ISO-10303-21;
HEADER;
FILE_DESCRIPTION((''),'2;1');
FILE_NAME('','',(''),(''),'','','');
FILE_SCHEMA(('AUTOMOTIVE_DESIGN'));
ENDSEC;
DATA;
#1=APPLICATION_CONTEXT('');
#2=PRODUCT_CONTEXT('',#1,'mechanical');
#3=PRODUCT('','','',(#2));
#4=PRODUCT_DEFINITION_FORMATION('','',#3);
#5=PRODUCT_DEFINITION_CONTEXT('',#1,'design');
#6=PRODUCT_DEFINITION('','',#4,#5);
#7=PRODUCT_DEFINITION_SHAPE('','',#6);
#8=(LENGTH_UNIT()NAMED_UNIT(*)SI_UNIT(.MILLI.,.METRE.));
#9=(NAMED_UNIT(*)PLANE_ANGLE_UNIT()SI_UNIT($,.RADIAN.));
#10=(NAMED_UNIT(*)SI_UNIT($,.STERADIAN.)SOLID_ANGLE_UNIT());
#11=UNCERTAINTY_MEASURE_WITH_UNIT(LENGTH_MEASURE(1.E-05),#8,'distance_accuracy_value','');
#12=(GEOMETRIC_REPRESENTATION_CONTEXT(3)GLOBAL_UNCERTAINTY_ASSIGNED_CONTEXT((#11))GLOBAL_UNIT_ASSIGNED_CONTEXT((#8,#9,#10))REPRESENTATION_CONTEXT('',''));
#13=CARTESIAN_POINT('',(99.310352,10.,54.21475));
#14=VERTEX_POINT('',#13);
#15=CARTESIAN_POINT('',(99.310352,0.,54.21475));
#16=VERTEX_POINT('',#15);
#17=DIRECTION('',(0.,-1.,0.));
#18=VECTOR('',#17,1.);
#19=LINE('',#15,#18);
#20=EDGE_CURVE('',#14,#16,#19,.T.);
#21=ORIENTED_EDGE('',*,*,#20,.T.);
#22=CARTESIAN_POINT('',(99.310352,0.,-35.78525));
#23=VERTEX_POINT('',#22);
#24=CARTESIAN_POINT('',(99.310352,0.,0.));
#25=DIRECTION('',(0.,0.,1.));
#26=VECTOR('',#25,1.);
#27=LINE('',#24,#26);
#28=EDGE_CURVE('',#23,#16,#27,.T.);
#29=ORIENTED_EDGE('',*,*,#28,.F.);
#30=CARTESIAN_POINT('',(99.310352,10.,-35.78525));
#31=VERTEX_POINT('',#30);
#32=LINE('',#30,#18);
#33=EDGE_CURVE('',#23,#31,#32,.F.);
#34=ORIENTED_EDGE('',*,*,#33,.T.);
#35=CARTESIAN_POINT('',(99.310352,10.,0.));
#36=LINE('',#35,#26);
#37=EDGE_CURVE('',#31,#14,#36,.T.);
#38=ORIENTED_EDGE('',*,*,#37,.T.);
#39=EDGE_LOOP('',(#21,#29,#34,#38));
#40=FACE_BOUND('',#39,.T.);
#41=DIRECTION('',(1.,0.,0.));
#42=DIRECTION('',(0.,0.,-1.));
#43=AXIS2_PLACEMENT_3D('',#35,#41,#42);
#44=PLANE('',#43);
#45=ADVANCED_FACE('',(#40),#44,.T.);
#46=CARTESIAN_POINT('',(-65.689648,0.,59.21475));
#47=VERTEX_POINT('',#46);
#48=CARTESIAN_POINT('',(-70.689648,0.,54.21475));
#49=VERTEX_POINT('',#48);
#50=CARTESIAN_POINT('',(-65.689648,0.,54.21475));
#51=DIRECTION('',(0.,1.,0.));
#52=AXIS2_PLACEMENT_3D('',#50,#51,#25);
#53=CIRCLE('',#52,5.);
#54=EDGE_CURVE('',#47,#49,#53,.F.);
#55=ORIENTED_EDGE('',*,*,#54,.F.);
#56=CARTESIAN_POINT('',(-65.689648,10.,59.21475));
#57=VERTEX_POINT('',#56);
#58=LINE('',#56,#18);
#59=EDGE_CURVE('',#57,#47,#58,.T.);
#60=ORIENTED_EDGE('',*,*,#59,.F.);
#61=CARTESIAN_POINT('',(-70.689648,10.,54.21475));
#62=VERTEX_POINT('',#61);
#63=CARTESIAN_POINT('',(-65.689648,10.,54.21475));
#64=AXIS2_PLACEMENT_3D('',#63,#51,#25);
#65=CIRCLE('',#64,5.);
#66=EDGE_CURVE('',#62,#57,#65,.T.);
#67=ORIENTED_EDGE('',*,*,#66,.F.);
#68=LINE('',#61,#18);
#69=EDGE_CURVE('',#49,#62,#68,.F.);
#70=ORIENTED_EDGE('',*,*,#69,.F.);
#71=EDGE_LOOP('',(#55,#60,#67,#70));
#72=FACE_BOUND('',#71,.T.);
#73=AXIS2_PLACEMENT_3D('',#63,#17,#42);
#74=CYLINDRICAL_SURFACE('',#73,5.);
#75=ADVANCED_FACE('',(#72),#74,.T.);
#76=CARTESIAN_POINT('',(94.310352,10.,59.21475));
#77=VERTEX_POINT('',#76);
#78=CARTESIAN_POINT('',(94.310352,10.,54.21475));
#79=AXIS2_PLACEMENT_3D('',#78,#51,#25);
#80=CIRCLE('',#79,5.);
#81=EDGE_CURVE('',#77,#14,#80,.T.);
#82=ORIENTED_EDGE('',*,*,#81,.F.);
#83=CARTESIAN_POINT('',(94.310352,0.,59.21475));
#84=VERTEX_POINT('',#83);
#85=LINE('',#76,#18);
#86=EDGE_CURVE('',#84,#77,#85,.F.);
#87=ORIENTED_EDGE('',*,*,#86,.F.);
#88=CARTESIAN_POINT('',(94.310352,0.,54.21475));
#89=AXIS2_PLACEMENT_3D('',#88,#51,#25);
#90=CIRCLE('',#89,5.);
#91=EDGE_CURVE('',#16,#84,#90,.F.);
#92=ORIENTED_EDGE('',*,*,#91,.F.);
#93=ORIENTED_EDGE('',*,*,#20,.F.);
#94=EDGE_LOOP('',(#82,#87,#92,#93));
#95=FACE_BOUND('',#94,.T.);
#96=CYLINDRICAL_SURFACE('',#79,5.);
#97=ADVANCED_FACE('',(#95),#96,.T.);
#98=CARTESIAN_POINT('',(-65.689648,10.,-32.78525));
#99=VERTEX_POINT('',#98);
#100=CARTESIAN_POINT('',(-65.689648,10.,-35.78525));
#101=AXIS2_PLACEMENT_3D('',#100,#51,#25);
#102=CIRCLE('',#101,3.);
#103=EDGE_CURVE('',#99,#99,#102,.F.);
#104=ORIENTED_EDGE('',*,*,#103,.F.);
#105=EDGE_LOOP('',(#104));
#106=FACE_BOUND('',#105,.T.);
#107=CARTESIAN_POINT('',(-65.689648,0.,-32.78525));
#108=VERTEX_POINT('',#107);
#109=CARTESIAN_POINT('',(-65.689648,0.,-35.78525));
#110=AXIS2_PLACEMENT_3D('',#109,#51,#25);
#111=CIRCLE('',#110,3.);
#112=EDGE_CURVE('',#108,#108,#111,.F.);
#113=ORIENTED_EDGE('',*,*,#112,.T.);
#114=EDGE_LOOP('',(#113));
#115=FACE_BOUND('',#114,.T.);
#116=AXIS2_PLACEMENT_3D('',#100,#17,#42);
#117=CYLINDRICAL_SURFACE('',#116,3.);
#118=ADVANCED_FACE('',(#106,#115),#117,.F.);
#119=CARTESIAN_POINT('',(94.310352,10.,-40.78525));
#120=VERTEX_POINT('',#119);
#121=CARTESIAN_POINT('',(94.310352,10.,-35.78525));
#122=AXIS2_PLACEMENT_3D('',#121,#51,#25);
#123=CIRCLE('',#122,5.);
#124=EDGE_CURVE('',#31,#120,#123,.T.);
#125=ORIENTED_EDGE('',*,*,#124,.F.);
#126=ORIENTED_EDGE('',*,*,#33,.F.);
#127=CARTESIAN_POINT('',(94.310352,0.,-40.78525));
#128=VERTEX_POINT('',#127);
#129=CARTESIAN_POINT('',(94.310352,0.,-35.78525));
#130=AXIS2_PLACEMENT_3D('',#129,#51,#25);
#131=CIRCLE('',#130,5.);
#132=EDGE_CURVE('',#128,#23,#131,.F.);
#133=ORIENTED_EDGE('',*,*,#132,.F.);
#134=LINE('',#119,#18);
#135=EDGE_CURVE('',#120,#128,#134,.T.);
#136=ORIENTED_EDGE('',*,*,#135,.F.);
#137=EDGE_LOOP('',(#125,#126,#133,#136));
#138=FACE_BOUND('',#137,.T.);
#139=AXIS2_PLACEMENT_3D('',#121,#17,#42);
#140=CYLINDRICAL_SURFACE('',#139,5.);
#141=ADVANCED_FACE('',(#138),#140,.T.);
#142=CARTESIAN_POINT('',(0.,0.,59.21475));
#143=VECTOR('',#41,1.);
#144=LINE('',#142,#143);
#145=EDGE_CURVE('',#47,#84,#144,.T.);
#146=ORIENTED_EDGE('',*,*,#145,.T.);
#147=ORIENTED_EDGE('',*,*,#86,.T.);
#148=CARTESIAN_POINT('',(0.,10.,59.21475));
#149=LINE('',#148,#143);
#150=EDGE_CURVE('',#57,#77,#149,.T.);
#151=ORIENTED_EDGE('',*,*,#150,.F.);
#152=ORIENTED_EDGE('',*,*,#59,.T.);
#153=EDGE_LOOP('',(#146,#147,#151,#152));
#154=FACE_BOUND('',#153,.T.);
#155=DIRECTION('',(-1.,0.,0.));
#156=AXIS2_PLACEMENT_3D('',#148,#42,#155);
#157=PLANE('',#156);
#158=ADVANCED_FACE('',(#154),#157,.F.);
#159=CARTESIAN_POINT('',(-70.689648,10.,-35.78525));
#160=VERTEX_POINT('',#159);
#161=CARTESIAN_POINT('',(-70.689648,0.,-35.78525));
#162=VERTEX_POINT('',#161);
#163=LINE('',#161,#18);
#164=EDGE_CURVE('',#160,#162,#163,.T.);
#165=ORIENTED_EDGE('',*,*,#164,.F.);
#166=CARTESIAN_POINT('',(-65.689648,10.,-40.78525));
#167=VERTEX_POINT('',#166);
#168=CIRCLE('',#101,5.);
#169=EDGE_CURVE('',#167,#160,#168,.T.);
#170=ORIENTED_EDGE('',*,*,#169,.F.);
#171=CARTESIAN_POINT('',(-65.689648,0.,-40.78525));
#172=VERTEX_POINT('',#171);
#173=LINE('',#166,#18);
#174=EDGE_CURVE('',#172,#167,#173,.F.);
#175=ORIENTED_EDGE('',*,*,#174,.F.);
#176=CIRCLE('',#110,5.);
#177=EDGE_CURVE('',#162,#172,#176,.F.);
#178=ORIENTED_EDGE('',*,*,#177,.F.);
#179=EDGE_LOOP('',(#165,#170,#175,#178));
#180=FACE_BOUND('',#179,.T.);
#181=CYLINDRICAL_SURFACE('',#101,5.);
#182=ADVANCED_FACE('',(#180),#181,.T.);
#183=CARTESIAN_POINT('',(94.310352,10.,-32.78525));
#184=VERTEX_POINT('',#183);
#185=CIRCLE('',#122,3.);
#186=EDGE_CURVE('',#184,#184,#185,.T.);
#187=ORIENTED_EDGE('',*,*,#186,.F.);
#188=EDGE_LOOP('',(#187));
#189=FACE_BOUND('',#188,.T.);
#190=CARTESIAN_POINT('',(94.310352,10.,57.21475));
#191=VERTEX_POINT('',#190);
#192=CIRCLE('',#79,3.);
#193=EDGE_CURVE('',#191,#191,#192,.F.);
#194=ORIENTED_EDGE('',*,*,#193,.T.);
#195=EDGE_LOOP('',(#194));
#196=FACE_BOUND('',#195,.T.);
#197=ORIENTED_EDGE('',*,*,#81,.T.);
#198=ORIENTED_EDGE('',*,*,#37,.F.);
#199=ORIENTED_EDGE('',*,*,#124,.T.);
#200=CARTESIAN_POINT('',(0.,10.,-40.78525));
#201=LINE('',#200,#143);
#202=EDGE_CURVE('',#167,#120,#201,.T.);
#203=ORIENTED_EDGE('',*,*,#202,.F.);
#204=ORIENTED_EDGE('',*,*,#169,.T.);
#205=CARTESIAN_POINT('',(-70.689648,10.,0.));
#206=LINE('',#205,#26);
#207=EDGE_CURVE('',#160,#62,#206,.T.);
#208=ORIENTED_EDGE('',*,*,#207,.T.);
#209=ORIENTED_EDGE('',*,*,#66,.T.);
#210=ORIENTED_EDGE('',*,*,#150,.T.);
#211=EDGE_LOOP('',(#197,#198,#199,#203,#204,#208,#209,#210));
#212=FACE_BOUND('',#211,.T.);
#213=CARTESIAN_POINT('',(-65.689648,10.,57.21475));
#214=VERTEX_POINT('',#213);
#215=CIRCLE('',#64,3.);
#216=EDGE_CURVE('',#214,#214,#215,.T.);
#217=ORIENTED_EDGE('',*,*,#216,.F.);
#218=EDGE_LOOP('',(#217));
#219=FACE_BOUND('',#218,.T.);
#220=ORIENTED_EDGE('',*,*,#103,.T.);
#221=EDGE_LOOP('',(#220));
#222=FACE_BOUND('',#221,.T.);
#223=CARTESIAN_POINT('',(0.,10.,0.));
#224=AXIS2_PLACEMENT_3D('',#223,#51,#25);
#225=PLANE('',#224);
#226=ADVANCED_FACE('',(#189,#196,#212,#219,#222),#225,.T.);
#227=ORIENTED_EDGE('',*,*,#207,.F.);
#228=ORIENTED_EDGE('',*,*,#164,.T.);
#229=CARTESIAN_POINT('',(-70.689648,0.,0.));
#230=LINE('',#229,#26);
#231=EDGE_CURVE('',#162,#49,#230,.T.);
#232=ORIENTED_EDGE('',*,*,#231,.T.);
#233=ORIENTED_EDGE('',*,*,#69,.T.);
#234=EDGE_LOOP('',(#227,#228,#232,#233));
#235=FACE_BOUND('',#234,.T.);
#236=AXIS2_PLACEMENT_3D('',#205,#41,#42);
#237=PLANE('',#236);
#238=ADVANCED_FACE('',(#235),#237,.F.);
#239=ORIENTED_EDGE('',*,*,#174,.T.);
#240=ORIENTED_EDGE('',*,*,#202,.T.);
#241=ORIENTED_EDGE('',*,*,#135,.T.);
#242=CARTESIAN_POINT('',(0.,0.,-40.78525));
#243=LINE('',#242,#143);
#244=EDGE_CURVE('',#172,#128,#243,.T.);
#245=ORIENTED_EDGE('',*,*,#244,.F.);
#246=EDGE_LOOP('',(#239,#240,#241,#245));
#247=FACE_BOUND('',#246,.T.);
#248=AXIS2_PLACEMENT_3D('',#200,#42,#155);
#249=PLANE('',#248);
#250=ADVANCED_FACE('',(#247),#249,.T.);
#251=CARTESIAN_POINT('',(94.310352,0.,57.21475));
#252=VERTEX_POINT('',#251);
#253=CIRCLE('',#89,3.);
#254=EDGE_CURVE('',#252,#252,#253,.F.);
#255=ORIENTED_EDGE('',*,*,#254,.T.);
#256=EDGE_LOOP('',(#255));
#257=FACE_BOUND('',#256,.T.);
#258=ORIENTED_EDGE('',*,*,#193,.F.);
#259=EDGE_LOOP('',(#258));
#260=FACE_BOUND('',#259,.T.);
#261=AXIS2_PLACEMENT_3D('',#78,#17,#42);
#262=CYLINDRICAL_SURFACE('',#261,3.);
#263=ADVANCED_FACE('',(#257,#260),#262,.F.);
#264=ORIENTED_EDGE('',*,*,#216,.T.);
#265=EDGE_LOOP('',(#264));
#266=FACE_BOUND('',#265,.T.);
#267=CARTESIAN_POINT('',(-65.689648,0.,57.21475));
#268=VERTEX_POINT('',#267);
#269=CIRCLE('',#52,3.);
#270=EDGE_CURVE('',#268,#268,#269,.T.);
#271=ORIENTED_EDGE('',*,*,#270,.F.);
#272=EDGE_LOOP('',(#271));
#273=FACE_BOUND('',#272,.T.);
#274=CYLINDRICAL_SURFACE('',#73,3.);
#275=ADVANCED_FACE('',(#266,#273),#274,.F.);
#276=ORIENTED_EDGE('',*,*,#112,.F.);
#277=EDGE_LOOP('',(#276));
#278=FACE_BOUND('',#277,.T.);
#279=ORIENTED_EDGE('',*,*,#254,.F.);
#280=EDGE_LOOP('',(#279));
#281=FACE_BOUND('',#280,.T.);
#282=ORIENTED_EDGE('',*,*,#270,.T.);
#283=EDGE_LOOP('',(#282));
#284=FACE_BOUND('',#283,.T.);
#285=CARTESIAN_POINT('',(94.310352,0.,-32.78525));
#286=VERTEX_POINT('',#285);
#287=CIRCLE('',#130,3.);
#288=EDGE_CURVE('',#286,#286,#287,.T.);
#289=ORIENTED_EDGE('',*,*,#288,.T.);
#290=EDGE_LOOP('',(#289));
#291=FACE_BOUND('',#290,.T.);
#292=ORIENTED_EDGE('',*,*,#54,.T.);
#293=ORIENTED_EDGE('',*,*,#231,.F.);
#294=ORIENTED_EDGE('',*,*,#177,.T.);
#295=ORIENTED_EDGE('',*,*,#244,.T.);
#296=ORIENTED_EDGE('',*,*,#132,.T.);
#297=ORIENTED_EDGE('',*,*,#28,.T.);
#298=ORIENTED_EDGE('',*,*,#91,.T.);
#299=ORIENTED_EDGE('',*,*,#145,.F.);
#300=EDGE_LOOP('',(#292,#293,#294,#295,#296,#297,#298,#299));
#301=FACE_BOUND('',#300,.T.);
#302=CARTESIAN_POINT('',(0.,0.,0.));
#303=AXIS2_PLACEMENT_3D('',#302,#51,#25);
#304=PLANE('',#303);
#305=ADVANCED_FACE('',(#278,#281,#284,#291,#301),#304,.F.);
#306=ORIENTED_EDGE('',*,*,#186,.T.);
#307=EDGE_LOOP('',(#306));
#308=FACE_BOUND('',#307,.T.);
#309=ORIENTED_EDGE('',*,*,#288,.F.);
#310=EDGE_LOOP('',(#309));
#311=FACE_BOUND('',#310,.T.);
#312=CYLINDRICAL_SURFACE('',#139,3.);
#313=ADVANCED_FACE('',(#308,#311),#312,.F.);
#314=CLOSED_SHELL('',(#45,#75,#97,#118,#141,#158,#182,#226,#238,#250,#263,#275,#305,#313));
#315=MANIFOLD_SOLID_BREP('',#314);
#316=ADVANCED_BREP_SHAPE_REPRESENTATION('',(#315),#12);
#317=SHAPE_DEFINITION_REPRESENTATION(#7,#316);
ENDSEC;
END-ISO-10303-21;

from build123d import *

# Parameters (mm, degrees)
SKETCH1_R           = 3
BOSS_EXTRUDE2_DEPTH = 10
FILLET1_R           = 5
FILLET2_R           = 5


with BuildPart() as part:
    # Sketch1 → Boss-Extrude2 (new body)
    # profile 1 of 2: a face of its own
    with BuildSketch(Plane(origin=(0, 0, 0), x_dir=(1, 0, 0), z_dir=(0, 1, 0))):
        with BuildLine():
            Line((99.310351883, 40.78525027), (-70.689648117, 40.78525027))
            Line((-70.689648117, 40.78525027), (-70.689648117, -54.21474973))
            Line((-70.689648117, -54.21474973), (-68.689648117, -54.21474973))
            ThreePointArc((-68.689648117, -54.21474973), (-65.689648117, -51.21474973), (-62.689648117, -54.21474973))
            ThreePointArc((-62.689648117, -54.21474973), (-63.568327773, -56.336070073), (-65.689648117, -57.21474973))
            Line((-65.689648117, -57.21474973), (-65.689648117, -59.21474973))
            Line((-65.689648117, -59.21474973), (99.310351883, -59.21474973))
            Line((99.310351883, -59.21474973), (99.310351883, 40.78525027))
        make_face()
        with Locations(Location((94.310351883, -54.21474973, 0), (0, 0, 270))):
            Circle(SKETCH1_R, mode=Mode.SUBTRACT)
        with Locations(Location((-65.689648117, 35.78525027, 0), (0, 0, 270))):
            Circle(SKETCH1_R, mode=Mode.SUBTRACT)
        with Locations(Location((94.310351883, 35.78525027, 0), (0, 0, 270))):
            Circle(SKETCH1_R, mode=Mode.SUBTRACT)
    # profile 2 of 2: a face of its own
    with BuildSketch(Plane(origin=(0, 0, 0), x_dir=(1, 0, 0), z_dir=(0, 1, 0))):
        with BuildLine():
            Line((-68.689648117, -54.21474973), (-70.689648117, -54.21474973))
            Line((-70.689648117, -54.21474973), (-70.689648117, -59.21474973))
            Line((-70.689648117, -59.21474973), (-65.689648117, -59.21474973))
            Line((-65.689648117, -59.21474973), (-65.689648117, -57.21474973))
            ThreePointArc((-65.689648117, -57.21474973), (-67.81096846, -56.336070073), (-68.689648117, -54.21474973))
        make_face()
    extrude(amount=BOSS_EXTRUDE2_DEPTH)

    # Fillet1
    fillet1_edges = [part.edges().sort_by_distance(p)[0] for p in [
        (-70.689648117, 5, 59.21474973),
    ]]
    fillet(fillet1_edges, radius=FILLET1_R)

    # Fillet2
    fillet2_edges = [part.edges().sort_by_distance(p)[0] for p in [
        (-70.689648117, 5, -40.78525027),
        (99.310351883, 5, -40.78525027),
        (99.310351883, 5, 59.21474973),
    ]]
    fillet(fillet2_edges, radius=FILLET2_R)


solid = part.part
